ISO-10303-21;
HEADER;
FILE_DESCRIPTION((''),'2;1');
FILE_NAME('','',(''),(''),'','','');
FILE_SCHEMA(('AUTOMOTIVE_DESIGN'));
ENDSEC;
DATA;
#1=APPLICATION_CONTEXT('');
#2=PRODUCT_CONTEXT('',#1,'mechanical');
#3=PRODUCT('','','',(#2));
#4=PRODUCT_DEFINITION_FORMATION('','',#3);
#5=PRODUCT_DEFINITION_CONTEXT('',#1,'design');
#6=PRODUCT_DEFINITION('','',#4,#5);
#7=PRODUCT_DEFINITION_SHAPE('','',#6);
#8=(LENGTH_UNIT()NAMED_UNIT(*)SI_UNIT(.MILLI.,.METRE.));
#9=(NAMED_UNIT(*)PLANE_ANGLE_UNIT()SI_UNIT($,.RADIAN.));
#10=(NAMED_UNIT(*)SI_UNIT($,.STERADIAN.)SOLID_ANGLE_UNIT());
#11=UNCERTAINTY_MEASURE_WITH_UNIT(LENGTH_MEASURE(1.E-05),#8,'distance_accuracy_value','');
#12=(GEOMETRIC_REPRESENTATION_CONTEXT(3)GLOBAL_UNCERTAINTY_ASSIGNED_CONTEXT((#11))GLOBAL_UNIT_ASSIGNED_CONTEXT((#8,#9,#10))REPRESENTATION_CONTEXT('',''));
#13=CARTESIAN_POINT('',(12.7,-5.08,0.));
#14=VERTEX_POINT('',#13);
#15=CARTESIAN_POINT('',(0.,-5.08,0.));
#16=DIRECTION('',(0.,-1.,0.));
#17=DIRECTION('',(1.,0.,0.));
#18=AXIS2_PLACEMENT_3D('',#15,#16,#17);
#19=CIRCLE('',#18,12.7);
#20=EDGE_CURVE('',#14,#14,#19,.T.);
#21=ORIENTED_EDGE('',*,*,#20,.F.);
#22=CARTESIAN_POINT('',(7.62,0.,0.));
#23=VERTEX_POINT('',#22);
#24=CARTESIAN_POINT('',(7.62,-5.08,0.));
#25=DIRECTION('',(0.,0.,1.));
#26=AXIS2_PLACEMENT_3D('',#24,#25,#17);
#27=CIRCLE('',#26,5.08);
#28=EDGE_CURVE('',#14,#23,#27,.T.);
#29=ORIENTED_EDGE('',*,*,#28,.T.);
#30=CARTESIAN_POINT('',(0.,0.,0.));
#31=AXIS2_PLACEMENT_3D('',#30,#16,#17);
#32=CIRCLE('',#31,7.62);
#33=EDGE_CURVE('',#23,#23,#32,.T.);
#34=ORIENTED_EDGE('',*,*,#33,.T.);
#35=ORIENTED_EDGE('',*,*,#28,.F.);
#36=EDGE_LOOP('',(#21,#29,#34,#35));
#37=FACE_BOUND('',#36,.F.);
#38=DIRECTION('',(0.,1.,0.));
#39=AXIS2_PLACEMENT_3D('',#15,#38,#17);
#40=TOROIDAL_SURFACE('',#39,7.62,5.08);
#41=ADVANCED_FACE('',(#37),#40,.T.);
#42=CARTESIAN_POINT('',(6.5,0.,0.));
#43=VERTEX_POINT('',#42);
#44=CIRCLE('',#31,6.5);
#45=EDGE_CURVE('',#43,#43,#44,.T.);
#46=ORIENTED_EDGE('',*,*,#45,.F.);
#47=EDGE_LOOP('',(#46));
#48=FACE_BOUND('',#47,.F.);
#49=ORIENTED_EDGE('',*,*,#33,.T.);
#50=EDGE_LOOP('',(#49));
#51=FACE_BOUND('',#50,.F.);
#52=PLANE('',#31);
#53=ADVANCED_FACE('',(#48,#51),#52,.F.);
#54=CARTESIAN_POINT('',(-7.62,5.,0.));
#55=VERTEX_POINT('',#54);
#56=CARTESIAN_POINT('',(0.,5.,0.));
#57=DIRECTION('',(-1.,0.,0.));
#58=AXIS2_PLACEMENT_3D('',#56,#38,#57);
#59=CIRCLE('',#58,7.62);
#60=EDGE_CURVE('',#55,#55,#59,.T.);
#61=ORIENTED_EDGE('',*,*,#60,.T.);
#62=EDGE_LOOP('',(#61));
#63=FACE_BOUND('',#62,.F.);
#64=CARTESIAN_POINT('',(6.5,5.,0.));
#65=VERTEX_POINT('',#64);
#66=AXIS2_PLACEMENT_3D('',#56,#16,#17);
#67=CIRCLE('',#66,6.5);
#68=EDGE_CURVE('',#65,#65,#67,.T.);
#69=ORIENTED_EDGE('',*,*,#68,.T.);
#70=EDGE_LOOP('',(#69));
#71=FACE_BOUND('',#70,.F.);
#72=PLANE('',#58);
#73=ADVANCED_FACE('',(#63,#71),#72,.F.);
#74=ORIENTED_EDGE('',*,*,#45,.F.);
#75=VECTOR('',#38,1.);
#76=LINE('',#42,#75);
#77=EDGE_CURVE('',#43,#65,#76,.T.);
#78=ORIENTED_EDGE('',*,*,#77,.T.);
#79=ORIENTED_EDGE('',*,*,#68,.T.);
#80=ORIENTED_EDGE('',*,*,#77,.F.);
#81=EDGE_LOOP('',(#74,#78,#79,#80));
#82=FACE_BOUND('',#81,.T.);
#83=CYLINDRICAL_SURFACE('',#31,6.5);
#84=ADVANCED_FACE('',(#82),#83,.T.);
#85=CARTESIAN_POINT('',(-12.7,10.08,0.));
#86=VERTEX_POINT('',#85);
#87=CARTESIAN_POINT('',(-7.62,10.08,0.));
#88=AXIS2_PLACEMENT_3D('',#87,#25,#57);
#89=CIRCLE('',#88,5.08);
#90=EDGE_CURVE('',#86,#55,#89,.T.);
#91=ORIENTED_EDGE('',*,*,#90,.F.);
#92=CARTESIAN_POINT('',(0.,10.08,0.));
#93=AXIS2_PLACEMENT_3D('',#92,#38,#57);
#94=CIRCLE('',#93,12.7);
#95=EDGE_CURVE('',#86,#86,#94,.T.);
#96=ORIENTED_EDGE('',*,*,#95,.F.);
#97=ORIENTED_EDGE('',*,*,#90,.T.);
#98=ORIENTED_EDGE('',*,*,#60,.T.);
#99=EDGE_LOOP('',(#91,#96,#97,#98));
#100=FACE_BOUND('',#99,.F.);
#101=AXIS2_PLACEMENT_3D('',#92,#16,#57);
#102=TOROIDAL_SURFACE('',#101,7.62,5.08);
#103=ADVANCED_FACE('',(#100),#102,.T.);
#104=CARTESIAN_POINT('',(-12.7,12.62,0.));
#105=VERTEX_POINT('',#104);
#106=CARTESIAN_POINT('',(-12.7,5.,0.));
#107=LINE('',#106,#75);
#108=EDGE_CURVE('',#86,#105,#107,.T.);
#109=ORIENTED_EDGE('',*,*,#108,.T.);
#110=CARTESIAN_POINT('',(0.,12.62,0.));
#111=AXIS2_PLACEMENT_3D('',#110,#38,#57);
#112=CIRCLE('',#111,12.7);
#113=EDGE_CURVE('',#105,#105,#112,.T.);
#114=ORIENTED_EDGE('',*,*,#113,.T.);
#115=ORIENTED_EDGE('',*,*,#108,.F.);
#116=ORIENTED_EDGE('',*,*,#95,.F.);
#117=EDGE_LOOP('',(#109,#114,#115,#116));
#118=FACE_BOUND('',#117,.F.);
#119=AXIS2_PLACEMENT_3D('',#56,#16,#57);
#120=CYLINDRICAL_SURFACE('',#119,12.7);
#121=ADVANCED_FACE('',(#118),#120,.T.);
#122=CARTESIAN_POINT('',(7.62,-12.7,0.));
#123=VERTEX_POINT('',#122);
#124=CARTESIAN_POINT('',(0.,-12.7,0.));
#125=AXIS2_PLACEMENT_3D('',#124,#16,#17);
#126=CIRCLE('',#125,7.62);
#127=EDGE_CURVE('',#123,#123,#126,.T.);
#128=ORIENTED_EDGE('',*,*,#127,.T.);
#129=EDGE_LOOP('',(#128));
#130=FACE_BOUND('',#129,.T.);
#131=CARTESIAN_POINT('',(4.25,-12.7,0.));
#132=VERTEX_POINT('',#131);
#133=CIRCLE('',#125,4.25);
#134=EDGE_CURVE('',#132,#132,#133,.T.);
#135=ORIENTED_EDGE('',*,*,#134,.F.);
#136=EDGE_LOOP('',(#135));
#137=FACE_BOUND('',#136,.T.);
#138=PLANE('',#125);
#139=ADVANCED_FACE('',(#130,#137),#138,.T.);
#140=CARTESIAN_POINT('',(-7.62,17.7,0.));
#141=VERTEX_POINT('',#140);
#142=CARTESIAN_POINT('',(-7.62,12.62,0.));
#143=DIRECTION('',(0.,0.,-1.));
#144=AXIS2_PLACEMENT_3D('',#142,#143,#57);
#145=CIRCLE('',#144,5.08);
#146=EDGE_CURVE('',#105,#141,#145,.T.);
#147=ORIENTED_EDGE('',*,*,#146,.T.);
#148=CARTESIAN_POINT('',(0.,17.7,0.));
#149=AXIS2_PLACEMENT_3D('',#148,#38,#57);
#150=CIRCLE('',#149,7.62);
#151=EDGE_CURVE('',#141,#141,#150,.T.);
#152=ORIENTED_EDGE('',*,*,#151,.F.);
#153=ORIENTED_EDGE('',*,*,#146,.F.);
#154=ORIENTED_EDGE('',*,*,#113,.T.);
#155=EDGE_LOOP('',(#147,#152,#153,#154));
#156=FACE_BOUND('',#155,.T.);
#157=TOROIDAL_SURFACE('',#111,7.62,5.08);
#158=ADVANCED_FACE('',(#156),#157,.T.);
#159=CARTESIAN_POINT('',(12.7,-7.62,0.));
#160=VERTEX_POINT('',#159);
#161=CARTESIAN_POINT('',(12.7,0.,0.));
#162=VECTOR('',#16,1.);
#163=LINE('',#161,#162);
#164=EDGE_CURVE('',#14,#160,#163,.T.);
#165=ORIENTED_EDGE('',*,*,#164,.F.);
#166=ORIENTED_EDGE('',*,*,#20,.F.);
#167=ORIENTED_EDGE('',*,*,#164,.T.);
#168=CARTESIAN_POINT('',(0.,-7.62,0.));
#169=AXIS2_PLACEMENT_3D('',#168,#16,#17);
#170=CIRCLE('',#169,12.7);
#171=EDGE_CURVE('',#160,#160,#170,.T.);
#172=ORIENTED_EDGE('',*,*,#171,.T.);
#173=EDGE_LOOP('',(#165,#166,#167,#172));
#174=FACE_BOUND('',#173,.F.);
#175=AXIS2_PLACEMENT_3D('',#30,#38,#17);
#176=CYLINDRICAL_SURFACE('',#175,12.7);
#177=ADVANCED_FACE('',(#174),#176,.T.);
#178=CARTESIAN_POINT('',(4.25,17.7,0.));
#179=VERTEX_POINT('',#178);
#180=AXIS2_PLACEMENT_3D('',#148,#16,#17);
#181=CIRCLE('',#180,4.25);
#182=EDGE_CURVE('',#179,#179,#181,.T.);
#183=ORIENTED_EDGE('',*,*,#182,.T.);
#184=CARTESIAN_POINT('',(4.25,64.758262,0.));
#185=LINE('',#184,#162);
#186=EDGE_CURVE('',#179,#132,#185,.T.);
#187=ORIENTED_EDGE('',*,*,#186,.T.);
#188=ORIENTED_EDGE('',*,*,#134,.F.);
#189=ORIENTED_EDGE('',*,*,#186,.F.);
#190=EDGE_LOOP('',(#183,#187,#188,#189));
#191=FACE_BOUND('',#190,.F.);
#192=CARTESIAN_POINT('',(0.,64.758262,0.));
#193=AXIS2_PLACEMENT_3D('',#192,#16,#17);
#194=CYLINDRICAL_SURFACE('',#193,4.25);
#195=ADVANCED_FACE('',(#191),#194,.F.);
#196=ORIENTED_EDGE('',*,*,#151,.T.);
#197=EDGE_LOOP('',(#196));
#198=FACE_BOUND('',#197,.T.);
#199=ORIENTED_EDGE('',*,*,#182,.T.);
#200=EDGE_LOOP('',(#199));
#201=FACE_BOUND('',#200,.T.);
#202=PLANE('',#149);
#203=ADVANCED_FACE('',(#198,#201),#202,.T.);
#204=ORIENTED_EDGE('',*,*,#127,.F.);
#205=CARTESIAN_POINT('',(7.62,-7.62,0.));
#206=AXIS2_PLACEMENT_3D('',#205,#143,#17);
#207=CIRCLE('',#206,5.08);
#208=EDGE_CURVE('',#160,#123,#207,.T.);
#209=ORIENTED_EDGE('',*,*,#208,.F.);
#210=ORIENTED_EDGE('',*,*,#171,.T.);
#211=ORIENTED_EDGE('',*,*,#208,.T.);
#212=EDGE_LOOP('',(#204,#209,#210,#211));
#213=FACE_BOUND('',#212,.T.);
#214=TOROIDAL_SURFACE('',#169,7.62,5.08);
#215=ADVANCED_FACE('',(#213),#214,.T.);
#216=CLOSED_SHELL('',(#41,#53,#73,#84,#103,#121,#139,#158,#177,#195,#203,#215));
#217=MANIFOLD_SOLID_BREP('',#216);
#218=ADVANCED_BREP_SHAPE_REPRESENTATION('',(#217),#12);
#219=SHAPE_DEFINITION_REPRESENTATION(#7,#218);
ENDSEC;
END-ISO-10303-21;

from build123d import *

# Parameters (mm, degrees)
F0_R     = 12.7
F1_DEPTH = 12.7
F2_R     = 5.08
F3_R     = 6.5
F4_DEPTH = 5
F5_R     = 12.7
F6_DEPTH = 12.7
F7_R     = 5.08
F9_D     = 8.5


with BuildPart() as f1:
    # F0 (on Front) → F1 (new body)
    with BuildSketch(Plane.XZ):
        Circle(F0_R)
    extrude(amount=F1_DEPTH)

    # F2
    f2_edges = [f1.edges().sort_by_distance(p)[0] for p in [
        (-12.7, 0, 0),
        (-12.7, -12.7, 0),
    ]]
    fillet(f2_edges, radius=F2_R)

    # F3 (on Front) → F4 (join)
    with BuildSketch(Plane.XZ):
        Circle(F3_R)
    extrude(amount=-F4_DEPTH)

    # F5 (on face) → F6 (join)
    with BuildSketch(Plane(origin=(0, 5, 0), x_dir=(-1, 0, 0), z_dir=(0, 1, 0))):
        Circle(F5_R)
    extrude(amount=F6_DEPTH)

    # F7
    f7_edges = [f1.edges().sort_by_distance(p)[0] for p in [
        (12.7, 17.7, 0),
        (12.7, 5, 0),
    ]]
    fillet(f7_edges, radius=F7_R)

    # F9 (through all)
    with Locations(Plane(origin=(0, 17.7, 0), x_dir=(-1, 0, 0), z_dir=(0, 1, 0))):
        with Locations((0, 0)):
            Hole(F9_D / 2)


solid = f1.part
